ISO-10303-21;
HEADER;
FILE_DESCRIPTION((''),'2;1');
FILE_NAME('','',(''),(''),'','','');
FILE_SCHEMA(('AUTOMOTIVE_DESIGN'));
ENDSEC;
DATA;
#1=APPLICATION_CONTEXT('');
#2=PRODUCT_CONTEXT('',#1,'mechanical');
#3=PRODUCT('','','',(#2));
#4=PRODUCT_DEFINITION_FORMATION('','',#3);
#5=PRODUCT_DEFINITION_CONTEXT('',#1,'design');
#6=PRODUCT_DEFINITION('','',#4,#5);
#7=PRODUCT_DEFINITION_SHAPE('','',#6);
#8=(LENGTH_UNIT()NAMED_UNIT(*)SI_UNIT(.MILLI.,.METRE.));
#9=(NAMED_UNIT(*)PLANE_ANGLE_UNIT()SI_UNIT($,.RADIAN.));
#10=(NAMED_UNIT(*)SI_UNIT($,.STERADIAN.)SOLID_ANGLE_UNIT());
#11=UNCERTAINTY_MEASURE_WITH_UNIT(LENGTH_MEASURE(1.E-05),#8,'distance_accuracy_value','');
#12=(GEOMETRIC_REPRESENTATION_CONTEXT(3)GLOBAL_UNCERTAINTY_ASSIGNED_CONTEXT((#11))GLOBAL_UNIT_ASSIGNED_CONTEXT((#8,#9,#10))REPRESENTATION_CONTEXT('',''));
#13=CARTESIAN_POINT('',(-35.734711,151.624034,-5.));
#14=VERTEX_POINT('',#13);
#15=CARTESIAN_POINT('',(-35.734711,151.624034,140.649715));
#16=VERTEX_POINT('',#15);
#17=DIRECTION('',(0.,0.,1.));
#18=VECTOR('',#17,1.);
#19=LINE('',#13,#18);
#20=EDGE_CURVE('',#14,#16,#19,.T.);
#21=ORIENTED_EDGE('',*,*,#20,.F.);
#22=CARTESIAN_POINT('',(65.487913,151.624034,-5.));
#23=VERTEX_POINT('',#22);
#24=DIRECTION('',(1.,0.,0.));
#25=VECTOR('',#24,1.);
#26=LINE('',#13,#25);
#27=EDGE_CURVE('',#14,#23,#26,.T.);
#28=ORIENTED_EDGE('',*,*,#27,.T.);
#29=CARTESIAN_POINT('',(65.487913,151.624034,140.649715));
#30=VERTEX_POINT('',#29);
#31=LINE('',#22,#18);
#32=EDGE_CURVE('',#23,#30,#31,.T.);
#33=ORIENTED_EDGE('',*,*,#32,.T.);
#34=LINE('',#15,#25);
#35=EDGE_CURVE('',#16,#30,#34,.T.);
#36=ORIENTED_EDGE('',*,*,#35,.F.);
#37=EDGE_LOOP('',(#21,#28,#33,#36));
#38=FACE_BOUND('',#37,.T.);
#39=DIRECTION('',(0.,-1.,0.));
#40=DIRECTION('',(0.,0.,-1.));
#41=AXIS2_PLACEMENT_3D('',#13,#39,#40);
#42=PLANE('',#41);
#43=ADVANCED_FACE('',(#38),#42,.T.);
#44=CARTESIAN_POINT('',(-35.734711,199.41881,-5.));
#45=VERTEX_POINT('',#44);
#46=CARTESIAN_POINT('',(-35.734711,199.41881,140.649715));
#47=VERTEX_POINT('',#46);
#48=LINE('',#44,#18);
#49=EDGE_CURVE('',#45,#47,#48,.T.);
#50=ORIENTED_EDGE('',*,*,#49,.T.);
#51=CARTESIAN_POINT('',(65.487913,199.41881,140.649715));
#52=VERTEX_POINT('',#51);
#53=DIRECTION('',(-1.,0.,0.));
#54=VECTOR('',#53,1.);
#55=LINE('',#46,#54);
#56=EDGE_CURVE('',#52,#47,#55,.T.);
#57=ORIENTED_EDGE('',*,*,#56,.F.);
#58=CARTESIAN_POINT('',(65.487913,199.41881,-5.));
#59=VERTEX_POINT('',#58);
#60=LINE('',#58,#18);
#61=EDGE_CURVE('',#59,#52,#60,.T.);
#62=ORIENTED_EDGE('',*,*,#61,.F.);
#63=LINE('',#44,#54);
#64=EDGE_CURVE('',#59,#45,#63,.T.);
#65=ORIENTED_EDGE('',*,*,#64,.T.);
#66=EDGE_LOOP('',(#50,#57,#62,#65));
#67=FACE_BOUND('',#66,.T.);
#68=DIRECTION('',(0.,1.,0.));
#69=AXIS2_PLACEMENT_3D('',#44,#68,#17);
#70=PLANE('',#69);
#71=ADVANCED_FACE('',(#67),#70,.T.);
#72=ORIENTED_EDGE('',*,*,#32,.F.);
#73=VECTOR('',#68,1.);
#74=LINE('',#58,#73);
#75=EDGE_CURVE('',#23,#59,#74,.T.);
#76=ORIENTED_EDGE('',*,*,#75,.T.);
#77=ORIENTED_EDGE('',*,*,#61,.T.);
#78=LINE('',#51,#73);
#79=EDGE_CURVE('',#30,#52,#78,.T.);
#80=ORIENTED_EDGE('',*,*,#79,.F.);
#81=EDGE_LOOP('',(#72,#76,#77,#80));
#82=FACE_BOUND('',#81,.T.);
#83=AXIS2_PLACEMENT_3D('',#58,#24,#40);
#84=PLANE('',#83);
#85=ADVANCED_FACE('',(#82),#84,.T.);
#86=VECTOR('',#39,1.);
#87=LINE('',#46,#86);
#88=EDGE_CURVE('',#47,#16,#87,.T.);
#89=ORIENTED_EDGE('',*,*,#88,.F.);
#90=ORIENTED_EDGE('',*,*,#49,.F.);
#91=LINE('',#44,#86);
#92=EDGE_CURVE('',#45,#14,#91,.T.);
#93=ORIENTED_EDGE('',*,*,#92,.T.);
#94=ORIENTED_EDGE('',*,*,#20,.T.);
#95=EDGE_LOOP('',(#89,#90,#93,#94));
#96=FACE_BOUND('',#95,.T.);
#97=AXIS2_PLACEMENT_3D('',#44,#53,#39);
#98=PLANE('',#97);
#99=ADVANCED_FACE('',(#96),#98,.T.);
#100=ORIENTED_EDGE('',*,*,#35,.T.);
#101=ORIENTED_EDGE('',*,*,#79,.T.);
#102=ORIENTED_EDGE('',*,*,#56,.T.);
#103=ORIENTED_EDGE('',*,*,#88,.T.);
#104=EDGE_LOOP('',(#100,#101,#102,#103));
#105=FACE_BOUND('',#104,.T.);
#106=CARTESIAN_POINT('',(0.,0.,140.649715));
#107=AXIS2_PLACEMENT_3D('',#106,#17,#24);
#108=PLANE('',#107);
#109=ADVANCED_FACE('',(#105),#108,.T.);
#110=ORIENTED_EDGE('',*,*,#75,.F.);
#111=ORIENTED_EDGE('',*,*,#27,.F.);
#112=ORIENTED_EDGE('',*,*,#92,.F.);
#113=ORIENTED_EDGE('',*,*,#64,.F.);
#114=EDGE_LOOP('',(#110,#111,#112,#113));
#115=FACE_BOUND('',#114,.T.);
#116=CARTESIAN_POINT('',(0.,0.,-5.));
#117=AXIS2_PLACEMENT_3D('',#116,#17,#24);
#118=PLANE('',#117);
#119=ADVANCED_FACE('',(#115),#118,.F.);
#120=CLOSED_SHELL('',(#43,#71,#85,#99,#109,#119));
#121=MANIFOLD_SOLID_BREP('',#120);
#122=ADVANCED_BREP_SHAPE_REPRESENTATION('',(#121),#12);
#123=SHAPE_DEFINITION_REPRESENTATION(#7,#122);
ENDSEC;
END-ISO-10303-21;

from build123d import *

# Parameters (mm, degrees)
SKETCH1_W                = 101.22262421
SKETCH1_H                = 47.794776075
BOSS_EXTRUDE1_DEPTH      = 140.649714648
BOSS_EXTRUDE1_DEPTH_BACK = 5


with BuildPart() as part:
    # Sketch1 → Boss-Extrude1 (new body, two sides)
    with BuildSketch(Plane.XY) as boss_extrude1_sk:
        with Locations((14.876601181, 175.521421618)):
            Rectangle(SKETCH1_W, SKETCH1_H)
    extrude(amount=BOSS_EXTRUDE1_DEPTH)
    extrude(boss_extrude1_sk.sketch, amount=-BOSS_EXTRUDE1_DEPTH_BACK)


solid = part.part
